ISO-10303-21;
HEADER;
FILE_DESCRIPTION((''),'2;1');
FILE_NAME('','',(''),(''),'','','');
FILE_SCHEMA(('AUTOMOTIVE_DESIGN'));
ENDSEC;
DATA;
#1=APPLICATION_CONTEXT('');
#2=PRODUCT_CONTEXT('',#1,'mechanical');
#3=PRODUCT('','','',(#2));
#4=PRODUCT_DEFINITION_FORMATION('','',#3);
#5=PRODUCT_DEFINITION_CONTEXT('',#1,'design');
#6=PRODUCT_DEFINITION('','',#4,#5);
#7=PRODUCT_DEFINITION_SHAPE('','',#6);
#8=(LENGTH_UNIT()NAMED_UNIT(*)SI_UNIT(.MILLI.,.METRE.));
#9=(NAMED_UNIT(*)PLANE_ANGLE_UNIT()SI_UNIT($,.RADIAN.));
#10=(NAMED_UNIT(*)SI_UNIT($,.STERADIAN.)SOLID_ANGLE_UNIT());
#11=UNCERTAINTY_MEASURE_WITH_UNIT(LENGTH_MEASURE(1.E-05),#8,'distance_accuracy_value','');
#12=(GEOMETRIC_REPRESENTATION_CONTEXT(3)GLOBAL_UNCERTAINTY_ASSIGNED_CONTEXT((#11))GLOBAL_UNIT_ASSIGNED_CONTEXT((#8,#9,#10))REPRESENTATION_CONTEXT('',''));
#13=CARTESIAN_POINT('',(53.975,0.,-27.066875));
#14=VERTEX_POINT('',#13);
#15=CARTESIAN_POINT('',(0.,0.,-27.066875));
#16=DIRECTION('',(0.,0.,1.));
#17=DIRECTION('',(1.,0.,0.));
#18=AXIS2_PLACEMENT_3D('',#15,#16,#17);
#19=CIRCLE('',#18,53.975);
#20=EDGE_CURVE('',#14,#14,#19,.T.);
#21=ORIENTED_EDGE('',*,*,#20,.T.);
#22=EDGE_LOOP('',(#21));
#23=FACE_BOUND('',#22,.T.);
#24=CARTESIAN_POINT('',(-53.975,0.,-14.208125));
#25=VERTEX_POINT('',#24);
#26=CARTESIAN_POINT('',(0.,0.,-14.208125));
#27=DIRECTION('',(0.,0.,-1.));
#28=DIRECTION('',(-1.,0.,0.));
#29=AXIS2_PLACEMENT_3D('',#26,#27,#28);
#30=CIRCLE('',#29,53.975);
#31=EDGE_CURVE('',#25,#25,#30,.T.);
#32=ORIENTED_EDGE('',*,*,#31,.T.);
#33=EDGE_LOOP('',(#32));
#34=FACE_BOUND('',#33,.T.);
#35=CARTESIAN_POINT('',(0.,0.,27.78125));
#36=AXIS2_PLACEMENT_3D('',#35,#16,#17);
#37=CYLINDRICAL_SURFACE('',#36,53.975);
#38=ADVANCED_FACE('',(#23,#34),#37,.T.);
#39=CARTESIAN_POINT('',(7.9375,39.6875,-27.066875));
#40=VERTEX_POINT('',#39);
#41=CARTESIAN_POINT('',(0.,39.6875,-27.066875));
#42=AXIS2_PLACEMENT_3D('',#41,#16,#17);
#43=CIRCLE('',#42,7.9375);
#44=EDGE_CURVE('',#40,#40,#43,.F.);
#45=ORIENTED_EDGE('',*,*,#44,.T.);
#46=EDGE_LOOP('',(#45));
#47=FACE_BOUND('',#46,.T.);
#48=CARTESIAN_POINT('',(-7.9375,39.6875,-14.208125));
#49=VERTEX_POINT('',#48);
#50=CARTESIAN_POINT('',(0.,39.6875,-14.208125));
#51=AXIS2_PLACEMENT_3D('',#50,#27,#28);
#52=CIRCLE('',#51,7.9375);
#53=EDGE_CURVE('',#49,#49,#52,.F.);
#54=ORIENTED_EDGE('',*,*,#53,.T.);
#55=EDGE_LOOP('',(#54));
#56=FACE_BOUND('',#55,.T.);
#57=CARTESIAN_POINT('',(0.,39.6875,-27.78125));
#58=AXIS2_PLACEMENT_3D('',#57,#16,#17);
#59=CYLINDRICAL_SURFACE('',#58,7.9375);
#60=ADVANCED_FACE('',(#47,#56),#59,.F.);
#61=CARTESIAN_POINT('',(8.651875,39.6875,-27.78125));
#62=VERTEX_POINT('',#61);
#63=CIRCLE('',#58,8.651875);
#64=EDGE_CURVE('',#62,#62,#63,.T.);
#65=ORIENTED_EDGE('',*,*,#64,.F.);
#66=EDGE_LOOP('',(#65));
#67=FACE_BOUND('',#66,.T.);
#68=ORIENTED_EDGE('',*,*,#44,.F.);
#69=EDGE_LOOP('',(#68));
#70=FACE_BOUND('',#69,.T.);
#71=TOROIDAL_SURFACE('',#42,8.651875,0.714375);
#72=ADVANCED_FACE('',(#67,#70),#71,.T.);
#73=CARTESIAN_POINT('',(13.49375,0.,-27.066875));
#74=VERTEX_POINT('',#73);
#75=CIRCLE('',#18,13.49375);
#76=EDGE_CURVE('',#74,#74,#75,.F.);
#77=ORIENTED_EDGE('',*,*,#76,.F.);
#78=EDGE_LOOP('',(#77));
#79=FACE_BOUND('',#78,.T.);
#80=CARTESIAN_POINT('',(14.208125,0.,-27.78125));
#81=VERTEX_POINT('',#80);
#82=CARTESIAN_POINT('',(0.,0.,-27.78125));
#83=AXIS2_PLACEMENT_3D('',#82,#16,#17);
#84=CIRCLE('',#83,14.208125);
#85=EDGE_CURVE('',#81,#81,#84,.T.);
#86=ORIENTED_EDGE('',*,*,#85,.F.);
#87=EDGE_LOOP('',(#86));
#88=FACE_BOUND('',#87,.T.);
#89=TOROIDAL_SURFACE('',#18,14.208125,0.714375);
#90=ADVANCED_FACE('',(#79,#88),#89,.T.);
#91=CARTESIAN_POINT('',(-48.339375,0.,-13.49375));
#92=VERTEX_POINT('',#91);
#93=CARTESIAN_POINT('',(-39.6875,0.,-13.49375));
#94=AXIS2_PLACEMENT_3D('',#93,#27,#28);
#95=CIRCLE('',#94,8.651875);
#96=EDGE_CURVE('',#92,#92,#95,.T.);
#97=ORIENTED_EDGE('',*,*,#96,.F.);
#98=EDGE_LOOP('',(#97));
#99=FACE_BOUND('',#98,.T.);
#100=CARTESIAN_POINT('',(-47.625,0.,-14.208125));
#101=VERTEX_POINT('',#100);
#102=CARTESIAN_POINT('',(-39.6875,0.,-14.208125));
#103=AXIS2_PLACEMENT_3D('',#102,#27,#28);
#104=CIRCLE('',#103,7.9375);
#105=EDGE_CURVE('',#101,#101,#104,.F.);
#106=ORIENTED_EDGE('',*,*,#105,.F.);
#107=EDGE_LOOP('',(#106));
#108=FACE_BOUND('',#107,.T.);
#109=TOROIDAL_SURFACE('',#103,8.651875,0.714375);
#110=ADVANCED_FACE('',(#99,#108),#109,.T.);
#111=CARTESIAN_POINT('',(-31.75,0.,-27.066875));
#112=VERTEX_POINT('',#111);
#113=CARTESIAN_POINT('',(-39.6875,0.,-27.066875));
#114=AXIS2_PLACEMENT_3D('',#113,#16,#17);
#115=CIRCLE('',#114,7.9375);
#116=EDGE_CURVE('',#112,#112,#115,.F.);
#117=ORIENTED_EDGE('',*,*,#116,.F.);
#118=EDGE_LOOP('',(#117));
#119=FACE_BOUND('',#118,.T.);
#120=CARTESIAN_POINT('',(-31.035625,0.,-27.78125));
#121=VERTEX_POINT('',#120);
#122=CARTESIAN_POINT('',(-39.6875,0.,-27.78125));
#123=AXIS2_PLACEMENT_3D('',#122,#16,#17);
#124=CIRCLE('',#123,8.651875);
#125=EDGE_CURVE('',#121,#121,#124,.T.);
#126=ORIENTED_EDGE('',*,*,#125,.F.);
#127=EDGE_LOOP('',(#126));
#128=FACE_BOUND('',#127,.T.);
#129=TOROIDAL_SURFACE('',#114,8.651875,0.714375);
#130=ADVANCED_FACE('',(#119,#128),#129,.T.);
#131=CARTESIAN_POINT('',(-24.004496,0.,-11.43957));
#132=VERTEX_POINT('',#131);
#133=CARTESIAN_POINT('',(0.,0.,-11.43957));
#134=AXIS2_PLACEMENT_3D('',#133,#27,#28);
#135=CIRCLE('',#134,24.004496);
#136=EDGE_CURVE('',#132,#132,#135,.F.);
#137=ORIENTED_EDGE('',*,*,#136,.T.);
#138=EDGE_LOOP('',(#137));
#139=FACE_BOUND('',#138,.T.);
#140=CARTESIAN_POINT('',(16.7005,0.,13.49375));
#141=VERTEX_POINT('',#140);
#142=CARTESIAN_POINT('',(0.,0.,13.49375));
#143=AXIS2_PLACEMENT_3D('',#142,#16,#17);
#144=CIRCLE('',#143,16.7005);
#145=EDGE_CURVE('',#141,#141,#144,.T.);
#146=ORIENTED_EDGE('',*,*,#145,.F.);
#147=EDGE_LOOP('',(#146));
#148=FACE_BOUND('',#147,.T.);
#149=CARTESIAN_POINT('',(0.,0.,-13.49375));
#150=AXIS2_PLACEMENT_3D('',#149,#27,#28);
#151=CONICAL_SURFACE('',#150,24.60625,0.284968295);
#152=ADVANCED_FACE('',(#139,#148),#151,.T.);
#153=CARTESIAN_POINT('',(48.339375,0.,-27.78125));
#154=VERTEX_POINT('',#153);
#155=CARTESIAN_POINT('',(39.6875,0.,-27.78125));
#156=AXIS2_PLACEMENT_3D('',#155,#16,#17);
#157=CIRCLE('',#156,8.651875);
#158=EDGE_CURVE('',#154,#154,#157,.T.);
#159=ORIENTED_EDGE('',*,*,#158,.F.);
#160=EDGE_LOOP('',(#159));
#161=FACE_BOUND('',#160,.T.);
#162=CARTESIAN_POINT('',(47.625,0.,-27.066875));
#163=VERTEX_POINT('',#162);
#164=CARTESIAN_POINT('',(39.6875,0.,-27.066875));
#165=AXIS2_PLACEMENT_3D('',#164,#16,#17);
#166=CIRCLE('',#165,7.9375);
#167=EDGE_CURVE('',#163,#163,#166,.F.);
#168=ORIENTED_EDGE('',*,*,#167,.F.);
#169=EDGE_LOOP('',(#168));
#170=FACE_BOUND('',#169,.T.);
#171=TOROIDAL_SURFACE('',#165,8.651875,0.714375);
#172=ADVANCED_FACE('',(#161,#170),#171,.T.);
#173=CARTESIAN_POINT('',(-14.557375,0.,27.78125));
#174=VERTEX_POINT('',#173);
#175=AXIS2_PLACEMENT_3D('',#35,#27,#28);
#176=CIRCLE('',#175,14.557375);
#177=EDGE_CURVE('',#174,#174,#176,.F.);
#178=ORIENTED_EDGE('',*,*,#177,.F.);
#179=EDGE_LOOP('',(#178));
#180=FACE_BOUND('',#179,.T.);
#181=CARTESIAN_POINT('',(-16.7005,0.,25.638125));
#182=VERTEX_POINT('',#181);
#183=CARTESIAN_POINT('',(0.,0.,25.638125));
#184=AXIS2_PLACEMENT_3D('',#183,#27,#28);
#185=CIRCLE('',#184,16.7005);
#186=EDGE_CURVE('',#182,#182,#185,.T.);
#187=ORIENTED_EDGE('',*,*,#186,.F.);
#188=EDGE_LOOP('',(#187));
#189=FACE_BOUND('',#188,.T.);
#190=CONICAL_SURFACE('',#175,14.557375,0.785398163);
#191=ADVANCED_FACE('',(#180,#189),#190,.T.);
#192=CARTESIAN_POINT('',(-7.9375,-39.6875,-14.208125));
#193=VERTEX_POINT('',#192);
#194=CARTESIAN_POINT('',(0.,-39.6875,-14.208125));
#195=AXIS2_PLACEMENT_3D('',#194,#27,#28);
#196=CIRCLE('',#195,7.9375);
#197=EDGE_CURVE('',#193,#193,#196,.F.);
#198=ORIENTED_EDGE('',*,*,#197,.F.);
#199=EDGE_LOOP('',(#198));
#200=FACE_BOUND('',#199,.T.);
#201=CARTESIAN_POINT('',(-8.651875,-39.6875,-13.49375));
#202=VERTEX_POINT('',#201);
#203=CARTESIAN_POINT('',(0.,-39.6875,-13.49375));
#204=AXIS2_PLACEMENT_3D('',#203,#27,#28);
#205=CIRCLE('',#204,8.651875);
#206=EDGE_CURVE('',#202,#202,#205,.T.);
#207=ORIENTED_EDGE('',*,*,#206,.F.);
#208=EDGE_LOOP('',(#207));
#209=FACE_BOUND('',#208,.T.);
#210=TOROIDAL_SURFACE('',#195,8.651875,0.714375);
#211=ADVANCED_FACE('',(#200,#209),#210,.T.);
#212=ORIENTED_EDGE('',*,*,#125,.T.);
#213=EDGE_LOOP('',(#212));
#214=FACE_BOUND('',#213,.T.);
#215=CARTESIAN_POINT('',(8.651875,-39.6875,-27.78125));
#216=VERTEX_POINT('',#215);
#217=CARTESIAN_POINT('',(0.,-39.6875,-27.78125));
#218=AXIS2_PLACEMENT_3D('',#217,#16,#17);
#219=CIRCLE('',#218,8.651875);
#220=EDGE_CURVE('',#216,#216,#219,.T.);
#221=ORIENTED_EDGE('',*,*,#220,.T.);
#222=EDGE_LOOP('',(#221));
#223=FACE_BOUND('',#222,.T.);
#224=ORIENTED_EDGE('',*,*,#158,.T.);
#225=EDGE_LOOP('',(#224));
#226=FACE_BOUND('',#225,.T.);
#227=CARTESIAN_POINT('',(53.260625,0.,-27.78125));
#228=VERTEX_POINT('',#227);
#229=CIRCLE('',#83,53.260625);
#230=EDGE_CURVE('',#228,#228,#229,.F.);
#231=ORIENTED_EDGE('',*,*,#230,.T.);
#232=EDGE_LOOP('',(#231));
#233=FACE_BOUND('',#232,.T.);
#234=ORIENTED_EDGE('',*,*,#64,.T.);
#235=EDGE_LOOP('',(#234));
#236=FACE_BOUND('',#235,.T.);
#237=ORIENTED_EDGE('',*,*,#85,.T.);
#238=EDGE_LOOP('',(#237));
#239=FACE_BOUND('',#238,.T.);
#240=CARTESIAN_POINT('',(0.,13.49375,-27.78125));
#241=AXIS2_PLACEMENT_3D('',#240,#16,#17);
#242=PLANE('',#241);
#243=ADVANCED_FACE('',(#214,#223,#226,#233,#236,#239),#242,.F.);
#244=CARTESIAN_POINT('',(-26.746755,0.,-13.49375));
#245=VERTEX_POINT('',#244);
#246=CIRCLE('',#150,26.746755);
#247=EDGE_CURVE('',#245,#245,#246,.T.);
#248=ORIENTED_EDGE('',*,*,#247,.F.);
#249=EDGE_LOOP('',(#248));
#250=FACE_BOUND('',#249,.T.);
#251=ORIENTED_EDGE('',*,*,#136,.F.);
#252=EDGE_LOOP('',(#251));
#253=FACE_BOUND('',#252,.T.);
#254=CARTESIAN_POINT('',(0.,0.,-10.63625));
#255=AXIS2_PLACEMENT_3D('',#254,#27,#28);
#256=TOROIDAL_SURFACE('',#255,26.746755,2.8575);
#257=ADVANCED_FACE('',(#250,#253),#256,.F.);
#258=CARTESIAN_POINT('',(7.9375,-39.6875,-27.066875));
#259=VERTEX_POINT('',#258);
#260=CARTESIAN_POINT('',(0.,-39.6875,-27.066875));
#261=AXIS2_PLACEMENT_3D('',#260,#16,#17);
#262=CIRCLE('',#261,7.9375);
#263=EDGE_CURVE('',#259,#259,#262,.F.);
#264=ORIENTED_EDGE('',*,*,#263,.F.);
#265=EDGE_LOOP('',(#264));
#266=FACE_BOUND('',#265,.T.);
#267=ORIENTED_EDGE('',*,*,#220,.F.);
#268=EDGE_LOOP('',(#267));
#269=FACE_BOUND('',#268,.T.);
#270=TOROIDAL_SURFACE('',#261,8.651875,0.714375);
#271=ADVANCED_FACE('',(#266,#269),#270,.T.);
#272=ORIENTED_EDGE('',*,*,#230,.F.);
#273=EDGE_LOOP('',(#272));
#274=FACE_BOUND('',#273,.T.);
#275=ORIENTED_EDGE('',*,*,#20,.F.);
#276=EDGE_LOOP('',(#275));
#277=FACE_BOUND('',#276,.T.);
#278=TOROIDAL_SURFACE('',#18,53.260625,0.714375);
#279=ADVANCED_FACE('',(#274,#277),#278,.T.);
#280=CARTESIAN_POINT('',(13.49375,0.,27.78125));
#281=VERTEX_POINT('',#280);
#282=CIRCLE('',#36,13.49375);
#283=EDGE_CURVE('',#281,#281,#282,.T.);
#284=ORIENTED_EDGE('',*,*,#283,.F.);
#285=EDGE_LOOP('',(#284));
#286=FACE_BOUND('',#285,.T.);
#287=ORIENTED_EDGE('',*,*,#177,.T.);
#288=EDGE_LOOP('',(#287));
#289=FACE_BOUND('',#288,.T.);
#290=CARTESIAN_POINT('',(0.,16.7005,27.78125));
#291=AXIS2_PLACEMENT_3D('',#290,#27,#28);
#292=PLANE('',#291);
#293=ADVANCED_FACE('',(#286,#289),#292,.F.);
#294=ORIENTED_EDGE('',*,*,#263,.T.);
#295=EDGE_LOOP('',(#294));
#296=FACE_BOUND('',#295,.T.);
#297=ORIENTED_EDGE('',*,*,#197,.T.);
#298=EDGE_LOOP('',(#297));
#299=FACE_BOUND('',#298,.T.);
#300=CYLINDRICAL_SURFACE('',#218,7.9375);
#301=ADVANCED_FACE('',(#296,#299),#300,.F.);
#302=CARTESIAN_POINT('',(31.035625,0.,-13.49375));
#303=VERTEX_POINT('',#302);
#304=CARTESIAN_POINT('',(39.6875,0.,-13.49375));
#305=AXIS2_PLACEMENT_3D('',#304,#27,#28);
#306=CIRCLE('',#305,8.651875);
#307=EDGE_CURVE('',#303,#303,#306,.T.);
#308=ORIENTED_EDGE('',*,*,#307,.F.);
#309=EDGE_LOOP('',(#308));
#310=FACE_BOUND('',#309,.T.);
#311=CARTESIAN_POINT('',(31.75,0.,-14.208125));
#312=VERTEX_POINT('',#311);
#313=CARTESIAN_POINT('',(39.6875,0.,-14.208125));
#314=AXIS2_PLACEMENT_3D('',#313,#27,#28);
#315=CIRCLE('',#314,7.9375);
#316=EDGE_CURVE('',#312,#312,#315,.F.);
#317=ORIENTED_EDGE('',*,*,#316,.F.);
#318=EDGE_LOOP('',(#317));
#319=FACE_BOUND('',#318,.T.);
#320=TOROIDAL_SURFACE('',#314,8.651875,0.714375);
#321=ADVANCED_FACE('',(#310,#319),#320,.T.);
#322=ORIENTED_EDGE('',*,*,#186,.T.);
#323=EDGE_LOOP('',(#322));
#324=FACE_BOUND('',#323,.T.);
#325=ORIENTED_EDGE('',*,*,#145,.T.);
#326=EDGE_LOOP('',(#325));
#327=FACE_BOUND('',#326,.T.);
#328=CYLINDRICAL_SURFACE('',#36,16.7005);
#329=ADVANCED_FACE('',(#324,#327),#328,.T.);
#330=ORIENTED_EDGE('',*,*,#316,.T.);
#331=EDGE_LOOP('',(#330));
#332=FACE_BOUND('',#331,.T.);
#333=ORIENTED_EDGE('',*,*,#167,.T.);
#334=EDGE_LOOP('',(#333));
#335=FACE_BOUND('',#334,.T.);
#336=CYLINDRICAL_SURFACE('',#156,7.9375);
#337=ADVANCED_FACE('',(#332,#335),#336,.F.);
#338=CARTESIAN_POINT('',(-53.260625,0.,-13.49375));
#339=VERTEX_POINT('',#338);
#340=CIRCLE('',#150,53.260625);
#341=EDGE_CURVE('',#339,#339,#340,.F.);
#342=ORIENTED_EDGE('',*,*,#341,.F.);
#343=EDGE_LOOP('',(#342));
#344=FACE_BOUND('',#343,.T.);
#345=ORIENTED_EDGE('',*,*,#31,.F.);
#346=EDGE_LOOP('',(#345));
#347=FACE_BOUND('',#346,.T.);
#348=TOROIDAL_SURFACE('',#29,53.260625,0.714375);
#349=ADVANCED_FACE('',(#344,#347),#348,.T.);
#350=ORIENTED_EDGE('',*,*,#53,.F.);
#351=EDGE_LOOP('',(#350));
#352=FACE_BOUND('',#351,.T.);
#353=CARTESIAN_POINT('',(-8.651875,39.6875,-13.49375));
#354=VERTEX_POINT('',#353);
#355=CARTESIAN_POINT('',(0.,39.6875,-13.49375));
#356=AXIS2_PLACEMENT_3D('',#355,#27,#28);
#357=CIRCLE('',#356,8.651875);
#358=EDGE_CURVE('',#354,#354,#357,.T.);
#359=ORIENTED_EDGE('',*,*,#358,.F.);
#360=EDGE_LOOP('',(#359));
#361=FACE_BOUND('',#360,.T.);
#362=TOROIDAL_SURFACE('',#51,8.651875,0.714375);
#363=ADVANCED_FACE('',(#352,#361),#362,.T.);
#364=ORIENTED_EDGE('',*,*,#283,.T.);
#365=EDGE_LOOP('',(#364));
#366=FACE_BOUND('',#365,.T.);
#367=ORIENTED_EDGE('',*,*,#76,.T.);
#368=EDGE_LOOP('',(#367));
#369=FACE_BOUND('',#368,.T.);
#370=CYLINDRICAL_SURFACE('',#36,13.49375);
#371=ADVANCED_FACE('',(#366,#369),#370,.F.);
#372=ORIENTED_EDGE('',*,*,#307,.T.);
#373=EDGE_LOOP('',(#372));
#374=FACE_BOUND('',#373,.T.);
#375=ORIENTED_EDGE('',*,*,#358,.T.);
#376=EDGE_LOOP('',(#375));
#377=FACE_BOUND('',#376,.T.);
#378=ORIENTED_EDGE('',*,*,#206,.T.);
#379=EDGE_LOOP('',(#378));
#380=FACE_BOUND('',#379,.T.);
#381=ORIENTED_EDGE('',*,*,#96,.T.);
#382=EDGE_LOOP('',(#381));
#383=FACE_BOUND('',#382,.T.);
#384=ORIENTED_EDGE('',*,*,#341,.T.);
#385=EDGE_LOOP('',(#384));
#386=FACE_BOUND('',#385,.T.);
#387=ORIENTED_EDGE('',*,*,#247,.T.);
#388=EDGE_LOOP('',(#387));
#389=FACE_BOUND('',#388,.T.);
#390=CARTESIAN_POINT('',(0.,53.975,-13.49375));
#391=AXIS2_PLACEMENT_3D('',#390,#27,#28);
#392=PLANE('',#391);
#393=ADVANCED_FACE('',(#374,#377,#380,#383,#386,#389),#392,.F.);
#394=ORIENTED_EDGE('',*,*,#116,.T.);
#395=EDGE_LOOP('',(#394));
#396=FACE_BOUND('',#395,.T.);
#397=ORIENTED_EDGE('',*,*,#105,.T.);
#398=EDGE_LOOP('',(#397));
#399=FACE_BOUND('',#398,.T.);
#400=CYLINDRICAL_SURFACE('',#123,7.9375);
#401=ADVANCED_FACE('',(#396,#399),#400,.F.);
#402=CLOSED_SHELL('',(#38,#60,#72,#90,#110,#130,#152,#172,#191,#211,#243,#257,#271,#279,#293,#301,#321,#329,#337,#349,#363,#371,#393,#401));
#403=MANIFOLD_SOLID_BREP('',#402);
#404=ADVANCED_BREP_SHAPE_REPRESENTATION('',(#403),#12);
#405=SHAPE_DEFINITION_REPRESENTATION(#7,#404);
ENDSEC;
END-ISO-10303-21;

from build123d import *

# Parameters (mm, degrees)
SKETCH3_R          = 7.9375
CUT_EXTRUDE1_DEPTH = 87.776879841
CIRPATTERN1_COUNT  = 4
FILLET1_R          = 2.8575
CHAMFER1_SIZE      = 2.143125
FILLET2_R          = 0.714375


with BuildPart() as part:
    # Sketch2 → Revolve1 (revolve)
    with BuildSketch(Plane(origin=(0, 0, 0), x_dir=(0, 0, -1), z_dir=(1, 0, 0)), mode=Mode.PRIVATE) as revolve1_sk:
        Polygon((-27.78125, 16.7005), (-27.78125, 13.49375), (27.78125, 13.49375), (27.78125, 53.975), (13.49375, 53.975), (13.49375, 24.60625), (-13.49375, 16.7005), align=None)
    revolve(revolve1_sk.sketch.rotate(Axis((0, 0, 27.78125), (0, 0, -1)), 90), axis=Axis((0, 0, 27.78125), (0, 0, -1)))

    # Sketch3 → Cut-Extrude1 (cut, through all)
    with BuildSketch(Plane.XY.offset(-13.49375)):
        with Locations((0, 39.6875)):
            Circle(SKETCH3_R)
    cut_extrude1 = extrude(amount=-CUT_EXTRUDE1_DEPTH, mode=Mode.SUBTRACT)

    # CirPattern1: Cut-Extrude1 ×4 about axis
    cirpattern1_axis = Axis((0, 0, 0), (0, 0, 1))
    for i in range(1, CIRPATTERN1_COUNT):
        add(cut_extrude1.rotate(cirpattern1_axis, i * 360 / CIRPATTERN1_COUNT), mode=Mode.SUBTRACT)

    # Fillet1
    fillet1_edges = [part.edges().sort_by_distance(p)[0] for p in [
        (-24.60625, 0, -13.49375),
    ]]
    fillet(fillet1_edges, radius=FILLET1_R)

    # Chamfer1
    chamfer1_edges = [part.edges().sort_by_distance(p)[0] for p in [
        (-16.7005, 0, 27.78125),
    ]]
    chamfer(chamfer1_edges, length=CHAMFER1_SIZE)

    # Fillet2
    fillet2_edges = [part.edges().sort_by_distance(p)[0] for p in [
        (-7.9375, 39.6875, -27.78125),
        (-7.9375, 39.6875, -13.49375),
        (39.6875, 7.9375, -27.78125),
        (39.6875, 7.9375, -13.49375),
        (7.9375, -39.6875, -27.78125),
        (7.9375, -39.6875, -13.49375),
        (-39.6875, -7.9375, -27.78125),
        (-39.6875, -7.9375, -13.49375),
        (-53.975, 0, -13.49375),
        (-53.975, 0, -27.78125),
        (-13.49375, 0, -27.78125),
    ]]
    fillet(fillet2_edges, radius=FILLET2_R)


solid = part.part
